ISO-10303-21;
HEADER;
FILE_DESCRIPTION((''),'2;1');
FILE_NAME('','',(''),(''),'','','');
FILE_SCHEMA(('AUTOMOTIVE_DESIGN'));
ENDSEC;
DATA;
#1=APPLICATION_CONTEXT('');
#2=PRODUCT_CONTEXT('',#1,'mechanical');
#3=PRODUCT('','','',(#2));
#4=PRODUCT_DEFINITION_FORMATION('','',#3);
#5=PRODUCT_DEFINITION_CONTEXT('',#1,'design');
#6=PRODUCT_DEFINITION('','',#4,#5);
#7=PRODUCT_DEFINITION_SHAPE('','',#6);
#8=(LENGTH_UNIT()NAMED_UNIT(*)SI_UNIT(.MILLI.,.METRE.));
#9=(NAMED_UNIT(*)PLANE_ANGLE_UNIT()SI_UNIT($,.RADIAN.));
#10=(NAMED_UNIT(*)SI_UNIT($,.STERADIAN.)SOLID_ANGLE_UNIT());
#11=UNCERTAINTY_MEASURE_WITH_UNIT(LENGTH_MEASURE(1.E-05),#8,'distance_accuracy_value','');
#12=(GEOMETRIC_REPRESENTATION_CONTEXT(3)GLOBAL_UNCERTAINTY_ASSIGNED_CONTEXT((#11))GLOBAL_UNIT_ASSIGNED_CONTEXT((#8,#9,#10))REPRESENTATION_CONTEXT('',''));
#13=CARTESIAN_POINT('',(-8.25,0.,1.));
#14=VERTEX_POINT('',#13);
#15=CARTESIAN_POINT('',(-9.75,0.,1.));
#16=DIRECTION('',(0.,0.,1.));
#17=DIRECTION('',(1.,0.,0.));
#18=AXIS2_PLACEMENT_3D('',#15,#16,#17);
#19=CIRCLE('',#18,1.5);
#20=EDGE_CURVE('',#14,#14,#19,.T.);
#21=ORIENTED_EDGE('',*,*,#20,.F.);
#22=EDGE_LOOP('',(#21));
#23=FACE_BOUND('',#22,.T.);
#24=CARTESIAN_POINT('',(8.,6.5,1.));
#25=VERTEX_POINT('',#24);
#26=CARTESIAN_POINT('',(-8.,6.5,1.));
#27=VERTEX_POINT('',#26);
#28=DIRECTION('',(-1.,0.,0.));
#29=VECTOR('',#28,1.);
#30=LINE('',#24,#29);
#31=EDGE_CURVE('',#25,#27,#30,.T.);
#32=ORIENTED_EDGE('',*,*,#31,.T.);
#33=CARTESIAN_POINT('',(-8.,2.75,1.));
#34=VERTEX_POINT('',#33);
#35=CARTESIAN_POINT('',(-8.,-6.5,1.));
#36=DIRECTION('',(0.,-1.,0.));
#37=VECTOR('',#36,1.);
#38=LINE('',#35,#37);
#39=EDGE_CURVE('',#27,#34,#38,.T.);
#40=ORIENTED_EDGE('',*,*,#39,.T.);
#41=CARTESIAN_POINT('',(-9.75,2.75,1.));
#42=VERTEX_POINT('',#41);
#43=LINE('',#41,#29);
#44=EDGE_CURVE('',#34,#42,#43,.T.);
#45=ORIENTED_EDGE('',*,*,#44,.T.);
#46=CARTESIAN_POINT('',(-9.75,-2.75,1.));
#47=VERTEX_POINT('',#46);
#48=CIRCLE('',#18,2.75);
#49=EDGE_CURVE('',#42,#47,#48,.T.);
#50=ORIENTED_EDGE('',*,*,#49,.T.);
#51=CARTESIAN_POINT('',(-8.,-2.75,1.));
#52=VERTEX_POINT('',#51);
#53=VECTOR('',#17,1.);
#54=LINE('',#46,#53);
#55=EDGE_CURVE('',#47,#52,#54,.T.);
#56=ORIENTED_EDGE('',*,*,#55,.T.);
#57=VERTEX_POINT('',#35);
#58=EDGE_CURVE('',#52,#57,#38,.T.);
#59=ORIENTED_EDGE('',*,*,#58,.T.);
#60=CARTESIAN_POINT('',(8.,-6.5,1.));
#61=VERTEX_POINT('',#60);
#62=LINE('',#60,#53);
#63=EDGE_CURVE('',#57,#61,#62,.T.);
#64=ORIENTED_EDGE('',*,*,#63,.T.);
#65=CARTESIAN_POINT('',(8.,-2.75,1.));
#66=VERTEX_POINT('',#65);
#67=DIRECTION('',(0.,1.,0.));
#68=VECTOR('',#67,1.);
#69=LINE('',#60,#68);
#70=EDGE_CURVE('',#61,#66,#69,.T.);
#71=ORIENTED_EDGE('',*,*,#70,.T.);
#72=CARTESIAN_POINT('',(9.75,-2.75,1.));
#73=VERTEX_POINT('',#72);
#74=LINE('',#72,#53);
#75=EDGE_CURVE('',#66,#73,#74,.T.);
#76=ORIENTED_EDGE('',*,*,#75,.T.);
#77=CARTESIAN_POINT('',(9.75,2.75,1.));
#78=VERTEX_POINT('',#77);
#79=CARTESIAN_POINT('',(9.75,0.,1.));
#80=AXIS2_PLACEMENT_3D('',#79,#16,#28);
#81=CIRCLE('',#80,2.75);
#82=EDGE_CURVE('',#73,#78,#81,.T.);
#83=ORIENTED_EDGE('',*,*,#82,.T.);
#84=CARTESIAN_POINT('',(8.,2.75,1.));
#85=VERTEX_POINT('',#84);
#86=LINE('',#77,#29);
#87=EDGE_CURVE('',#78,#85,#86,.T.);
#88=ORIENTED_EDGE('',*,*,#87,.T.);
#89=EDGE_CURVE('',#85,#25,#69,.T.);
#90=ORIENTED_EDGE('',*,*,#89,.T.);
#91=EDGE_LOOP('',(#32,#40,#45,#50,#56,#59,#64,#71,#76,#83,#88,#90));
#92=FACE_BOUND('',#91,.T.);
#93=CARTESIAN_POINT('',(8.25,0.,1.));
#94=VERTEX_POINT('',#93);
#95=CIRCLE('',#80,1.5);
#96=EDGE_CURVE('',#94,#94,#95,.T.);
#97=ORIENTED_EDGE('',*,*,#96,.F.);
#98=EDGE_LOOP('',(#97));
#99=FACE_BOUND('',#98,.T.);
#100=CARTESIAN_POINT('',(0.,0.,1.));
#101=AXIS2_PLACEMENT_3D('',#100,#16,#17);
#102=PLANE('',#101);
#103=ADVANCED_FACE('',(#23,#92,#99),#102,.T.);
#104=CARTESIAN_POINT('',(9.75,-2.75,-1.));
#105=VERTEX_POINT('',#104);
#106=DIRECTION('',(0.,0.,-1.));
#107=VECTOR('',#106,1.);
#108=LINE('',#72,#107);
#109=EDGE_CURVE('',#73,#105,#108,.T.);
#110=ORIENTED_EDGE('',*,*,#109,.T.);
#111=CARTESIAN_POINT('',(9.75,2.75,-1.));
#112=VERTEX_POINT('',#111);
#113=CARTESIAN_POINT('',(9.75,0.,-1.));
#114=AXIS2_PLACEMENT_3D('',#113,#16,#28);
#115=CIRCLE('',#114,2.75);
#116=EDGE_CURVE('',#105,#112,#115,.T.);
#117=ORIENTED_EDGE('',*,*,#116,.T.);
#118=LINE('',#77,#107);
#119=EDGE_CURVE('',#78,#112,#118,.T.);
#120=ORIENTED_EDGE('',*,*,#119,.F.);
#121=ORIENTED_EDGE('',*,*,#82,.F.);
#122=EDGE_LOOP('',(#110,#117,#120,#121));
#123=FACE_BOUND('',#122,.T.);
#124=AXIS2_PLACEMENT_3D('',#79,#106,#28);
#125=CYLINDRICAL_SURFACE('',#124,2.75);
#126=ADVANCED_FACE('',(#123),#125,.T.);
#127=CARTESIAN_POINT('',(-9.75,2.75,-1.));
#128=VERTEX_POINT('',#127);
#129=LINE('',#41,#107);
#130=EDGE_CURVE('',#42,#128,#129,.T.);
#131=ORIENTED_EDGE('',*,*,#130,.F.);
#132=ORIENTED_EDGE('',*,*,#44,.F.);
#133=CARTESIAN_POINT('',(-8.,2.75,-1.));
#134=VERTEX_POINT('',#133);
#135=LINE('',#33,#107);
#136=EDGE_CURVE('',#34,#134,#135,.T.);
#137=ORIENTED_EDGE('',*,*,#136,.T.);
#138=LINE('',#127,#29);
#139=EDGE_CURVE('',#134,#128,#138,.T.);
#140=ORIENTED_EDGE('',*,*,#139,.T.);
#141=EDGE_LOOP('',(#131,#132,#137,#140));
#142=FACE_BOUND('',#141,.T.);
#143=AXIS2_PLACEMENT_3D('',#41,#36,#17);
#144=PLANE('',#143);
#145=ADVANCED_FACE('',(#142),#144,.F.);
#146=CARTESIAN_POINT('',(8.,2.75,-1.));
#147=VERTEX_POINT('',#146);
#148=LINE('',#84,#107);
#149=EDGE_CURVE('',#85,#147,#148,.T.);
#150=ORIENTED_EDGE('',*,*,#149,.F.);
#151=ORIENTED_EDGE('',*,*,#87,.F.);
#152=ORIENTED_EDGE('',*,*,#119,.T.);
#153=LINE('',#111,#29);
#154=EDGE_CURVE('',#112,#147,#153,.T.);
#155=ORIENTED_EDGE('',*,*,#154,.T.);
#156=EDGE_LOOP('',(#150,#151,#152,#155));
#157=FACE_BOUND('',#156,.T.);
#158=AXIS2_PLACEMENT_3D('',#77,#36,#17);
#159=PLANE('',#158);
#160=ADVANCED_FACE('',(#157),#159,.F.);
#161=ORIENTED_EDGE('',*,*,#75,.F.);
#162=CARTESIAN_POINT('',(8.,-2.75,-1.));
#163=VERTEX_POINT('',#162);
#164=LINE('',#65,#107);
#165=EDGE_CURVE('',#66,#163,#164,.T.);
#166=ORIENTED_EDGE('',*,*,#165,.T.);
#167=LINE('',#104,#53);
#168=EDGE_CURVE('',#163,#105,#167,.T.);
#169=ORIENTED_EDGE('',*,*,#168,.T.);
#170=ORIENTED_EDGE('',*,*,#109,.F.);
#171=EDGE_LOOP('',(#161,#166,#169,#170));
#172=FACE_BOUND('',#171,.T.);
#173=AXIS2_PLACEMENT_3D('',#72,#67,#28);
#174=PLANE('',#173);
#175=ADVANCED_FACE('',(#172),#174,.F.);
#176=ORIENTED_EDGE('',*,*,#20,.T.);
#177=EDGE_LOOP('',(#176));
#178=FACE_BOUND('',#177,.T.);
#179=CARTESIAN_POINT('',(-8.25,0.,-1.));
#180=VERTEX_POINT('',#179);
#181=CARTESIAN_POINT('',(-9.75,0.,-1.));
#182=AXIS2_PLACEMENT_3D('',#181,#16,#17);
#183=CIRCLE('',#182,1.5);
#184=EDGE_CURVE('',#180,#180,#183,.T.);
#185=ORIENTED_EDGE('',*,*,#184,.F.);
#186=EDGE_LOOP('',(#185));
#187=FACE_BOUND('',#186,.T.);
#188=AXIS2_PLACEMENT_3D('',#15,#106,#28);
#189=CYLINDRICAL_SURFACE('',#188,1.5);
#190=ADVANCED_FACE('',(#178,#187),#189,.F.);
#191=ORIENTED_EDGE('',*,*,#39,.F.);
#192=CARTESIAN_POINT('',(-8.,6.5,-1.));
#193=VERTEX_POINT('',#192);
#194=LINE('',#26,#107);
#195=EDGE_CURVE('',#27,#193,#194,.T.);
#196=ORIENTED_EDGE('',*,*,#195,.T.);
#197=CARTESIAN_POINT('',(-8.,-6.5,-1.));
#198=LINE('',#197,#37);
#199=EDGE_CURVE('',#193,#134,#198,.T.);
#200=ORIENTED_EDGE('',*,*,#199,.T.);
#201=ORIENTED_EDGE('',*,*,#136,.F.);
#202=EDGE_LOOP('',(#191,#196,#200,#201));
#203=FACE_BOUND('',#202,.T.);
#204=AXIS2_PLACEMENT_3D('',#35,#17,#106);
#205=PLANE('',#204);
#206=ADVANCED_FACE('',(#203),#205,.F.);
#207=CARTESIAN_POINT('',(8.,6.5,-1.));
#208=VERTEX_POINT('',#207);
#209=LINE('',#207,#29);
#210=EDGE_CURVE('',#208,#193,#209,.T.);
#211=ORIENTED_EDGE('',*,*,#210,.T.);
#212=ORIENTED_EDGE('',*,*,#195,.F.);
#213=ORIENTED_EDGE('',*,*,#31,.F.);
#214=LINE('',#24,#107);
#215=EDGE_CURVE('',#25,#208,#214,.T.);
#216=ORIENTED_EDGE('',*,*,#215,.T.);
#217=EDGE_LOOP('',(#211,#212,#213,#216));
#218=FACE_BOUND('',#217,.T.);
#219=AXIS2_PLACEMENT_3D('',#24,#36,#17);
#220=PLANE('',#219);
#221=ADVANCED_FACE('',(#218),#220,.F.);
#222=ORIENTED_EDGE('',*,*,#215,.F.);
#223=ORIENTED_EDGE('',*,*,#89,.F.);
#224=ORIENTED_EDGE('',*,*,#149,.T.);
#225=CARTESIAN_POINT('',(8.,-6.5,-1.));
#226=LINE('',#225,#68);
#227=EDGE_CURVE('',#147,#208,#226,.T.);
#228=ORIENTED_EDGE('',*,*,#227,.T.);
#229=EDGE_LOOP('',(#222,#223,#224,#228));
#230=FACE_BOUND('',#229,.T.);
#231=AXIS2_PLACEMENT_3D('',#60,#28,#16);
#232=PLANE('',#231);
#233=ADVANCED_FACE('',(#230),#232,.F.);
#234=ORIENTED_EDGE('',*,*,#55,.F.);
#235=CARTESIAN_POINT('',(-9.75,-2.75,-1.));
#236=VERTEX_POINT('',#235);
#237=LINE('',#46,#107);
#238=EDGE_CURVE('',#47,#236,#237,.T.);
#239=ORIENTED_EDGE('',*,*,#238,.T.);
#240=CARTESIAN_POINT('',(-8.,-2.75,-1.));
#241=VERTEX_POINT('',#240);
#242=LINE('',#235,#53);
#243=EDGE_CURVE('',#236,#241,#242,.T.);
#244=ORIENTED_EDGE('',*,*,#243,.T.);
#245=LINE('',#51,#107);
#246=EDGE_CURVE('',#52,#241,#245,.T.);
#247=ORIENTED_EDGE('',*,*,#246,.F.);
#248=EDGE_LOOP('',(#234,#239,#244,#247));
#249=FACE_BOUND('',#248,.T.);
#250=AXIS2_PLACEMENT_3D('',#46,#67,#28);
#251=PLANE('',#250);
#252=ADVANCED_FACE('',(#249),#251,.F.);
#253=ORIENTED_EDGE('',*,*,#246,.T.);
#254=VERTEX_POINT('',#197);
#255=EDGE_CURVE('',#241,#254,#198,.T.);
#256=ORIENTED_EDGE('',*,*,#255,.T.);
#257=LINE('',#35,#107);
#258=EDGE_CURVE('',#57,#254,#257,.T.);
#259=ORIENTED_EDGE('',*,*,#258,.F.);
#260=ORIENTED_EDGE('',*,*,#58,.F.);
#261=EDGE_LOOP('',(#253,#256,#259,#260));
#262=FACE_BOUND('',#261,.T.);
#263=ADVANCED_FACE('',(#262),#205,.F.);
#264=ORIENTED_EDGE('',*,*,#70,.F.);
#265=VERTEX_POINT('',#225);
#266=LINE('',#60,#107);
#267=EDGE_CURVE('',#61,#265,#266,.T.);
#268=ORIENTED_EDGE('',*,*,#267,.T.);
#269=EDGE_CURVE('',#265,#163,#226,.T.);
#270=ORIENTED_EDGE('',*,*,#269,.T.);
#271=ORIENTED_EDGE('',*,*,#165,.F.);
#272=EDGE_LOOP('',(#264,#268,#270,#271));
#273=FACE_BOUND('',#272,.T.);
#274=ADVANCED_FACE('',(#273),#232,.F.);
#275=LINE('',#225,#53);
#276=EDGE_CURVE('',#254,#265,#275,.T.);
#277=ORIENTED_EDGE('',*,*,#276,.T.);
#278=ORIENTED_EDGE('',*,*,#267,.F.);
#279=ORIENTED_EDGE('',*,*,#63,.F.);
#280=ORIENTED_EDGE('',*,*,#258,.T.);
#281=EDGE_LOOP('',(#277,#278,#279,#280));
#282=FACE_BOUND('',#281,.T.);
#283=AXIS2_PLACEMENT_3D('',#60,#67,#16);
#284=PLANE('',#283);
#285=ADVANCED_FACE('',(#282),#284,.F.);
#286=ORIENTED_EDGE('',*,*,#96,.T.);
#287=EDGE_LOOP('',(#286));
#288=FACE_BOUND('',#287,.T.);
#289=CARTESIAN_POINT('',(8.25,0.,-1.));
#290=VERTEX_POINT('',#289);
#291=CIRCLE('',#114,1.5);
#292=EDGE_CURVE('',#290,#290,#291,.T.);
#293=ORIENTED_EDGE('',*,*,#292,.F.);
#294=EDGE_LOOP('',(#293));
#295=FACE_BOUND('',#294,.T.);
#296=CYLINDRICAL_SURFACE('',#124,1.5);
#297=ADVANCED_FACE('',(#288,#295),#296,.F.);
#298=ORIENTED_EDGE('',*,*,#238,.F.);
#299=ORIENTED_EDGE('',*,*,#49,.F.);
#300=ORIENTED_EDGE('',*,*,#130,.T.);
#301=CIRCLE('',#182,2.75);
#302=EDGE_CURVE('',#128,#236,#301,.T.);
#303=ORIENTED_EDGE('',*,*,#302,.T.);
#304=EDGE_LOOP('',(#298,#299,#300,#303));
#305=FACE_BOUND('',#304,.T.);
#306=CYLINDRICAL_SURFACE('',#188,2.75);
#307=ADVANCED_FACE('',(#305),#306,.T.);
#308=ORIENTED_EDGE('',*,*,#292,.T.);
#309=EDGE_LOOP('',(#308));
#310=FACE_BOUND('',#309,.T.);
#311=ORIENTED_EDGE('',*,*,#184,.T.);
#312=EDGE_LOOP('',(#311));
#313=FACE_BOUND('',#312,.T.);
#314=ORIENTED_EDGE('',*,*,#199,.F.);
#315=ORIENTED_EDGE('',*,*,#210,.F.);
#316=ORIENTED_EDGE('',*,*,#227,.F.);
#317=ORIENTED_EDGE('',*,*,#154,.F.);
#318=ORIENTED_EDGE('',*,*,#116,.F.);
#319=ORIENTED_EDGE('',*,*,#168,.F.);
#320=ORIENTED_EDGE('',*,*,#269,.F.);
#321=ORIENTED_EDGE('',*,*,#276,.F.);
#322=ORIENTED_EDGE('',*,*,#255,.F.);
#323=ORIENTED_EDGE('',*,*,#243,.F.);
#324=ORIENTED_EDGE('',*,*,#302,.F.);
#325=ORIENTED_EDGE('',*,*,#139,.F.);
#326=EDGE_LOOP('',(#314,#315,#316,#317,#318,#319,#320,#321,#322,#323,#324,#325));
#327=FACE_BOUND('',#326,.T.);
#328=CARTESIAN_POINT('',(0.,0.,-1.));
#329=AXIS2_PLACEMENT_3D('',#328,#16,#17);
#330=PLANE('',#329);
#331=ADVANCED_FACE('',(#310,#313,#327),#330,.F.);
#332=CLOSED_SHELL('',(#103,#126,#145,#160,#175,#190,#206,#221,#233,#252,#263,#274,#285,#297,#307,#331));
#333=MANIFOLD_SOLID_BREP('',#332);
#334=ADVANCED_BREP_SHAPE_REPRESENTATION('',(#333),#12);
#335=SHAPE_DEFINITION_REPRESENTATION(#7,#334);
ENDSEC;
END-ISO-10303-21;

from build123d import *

# Parameters (mm, degrees)
SKETCH1_W           = 16
SKETCH1_H           = 13
BOSS_EXTRUDE1_DEPTH = 1
SKETCH2_R           = 1.5
BOSS_EXTRUDE2_DEPTH = 1


with BuildPart() as part:
    # Sketch1 → Boss-Extrude1 (new body, symmetric)
    with BuildSketch(Plane.XY):
        Rectangle(SKETCH1_W, SKETCH1_H)
    extrude(amount=BOSS_EXTRUDE1_DEPTH, both=True)

    # Sketch2 → Boss-Extrude2 (add, symmetric)
    with BuildSketch(Plane.XY):
        with BuildLine():
            Line((-9.75, 2.75), (-8, 2.75))
            Line((-8, 2.75), (-8, -2.75))
            Line((-8, -2.75), (-9.75, -2.75))
            ThreePointArc((-9.75, -2.75), (-12.5, 0), (-9.75, 2.75))
        make_face()
        with Locations((-9.75, 0)):
            Circle(SKETCH2_R, mode=Mode.SUBTRACT)
        with BuildLine():
            Line((9.75, -2.75), (8, -2.75))
            Line((8, -2.75), (8, 2.75))
            Line((8, 2.75), (9.75, 2.75))
            ThreePointArc((9.75, 2.75), (12.5, 0), (9.75, -2.75))
        make_face()
        with Locations((9.75, 0)):
            Circle(SKETCH2_R, mode=Mode.SUBTRACT)
    extrude(amount=BOSS_EXTRUDE2_DEPTH, both=True)


solid = part.part
